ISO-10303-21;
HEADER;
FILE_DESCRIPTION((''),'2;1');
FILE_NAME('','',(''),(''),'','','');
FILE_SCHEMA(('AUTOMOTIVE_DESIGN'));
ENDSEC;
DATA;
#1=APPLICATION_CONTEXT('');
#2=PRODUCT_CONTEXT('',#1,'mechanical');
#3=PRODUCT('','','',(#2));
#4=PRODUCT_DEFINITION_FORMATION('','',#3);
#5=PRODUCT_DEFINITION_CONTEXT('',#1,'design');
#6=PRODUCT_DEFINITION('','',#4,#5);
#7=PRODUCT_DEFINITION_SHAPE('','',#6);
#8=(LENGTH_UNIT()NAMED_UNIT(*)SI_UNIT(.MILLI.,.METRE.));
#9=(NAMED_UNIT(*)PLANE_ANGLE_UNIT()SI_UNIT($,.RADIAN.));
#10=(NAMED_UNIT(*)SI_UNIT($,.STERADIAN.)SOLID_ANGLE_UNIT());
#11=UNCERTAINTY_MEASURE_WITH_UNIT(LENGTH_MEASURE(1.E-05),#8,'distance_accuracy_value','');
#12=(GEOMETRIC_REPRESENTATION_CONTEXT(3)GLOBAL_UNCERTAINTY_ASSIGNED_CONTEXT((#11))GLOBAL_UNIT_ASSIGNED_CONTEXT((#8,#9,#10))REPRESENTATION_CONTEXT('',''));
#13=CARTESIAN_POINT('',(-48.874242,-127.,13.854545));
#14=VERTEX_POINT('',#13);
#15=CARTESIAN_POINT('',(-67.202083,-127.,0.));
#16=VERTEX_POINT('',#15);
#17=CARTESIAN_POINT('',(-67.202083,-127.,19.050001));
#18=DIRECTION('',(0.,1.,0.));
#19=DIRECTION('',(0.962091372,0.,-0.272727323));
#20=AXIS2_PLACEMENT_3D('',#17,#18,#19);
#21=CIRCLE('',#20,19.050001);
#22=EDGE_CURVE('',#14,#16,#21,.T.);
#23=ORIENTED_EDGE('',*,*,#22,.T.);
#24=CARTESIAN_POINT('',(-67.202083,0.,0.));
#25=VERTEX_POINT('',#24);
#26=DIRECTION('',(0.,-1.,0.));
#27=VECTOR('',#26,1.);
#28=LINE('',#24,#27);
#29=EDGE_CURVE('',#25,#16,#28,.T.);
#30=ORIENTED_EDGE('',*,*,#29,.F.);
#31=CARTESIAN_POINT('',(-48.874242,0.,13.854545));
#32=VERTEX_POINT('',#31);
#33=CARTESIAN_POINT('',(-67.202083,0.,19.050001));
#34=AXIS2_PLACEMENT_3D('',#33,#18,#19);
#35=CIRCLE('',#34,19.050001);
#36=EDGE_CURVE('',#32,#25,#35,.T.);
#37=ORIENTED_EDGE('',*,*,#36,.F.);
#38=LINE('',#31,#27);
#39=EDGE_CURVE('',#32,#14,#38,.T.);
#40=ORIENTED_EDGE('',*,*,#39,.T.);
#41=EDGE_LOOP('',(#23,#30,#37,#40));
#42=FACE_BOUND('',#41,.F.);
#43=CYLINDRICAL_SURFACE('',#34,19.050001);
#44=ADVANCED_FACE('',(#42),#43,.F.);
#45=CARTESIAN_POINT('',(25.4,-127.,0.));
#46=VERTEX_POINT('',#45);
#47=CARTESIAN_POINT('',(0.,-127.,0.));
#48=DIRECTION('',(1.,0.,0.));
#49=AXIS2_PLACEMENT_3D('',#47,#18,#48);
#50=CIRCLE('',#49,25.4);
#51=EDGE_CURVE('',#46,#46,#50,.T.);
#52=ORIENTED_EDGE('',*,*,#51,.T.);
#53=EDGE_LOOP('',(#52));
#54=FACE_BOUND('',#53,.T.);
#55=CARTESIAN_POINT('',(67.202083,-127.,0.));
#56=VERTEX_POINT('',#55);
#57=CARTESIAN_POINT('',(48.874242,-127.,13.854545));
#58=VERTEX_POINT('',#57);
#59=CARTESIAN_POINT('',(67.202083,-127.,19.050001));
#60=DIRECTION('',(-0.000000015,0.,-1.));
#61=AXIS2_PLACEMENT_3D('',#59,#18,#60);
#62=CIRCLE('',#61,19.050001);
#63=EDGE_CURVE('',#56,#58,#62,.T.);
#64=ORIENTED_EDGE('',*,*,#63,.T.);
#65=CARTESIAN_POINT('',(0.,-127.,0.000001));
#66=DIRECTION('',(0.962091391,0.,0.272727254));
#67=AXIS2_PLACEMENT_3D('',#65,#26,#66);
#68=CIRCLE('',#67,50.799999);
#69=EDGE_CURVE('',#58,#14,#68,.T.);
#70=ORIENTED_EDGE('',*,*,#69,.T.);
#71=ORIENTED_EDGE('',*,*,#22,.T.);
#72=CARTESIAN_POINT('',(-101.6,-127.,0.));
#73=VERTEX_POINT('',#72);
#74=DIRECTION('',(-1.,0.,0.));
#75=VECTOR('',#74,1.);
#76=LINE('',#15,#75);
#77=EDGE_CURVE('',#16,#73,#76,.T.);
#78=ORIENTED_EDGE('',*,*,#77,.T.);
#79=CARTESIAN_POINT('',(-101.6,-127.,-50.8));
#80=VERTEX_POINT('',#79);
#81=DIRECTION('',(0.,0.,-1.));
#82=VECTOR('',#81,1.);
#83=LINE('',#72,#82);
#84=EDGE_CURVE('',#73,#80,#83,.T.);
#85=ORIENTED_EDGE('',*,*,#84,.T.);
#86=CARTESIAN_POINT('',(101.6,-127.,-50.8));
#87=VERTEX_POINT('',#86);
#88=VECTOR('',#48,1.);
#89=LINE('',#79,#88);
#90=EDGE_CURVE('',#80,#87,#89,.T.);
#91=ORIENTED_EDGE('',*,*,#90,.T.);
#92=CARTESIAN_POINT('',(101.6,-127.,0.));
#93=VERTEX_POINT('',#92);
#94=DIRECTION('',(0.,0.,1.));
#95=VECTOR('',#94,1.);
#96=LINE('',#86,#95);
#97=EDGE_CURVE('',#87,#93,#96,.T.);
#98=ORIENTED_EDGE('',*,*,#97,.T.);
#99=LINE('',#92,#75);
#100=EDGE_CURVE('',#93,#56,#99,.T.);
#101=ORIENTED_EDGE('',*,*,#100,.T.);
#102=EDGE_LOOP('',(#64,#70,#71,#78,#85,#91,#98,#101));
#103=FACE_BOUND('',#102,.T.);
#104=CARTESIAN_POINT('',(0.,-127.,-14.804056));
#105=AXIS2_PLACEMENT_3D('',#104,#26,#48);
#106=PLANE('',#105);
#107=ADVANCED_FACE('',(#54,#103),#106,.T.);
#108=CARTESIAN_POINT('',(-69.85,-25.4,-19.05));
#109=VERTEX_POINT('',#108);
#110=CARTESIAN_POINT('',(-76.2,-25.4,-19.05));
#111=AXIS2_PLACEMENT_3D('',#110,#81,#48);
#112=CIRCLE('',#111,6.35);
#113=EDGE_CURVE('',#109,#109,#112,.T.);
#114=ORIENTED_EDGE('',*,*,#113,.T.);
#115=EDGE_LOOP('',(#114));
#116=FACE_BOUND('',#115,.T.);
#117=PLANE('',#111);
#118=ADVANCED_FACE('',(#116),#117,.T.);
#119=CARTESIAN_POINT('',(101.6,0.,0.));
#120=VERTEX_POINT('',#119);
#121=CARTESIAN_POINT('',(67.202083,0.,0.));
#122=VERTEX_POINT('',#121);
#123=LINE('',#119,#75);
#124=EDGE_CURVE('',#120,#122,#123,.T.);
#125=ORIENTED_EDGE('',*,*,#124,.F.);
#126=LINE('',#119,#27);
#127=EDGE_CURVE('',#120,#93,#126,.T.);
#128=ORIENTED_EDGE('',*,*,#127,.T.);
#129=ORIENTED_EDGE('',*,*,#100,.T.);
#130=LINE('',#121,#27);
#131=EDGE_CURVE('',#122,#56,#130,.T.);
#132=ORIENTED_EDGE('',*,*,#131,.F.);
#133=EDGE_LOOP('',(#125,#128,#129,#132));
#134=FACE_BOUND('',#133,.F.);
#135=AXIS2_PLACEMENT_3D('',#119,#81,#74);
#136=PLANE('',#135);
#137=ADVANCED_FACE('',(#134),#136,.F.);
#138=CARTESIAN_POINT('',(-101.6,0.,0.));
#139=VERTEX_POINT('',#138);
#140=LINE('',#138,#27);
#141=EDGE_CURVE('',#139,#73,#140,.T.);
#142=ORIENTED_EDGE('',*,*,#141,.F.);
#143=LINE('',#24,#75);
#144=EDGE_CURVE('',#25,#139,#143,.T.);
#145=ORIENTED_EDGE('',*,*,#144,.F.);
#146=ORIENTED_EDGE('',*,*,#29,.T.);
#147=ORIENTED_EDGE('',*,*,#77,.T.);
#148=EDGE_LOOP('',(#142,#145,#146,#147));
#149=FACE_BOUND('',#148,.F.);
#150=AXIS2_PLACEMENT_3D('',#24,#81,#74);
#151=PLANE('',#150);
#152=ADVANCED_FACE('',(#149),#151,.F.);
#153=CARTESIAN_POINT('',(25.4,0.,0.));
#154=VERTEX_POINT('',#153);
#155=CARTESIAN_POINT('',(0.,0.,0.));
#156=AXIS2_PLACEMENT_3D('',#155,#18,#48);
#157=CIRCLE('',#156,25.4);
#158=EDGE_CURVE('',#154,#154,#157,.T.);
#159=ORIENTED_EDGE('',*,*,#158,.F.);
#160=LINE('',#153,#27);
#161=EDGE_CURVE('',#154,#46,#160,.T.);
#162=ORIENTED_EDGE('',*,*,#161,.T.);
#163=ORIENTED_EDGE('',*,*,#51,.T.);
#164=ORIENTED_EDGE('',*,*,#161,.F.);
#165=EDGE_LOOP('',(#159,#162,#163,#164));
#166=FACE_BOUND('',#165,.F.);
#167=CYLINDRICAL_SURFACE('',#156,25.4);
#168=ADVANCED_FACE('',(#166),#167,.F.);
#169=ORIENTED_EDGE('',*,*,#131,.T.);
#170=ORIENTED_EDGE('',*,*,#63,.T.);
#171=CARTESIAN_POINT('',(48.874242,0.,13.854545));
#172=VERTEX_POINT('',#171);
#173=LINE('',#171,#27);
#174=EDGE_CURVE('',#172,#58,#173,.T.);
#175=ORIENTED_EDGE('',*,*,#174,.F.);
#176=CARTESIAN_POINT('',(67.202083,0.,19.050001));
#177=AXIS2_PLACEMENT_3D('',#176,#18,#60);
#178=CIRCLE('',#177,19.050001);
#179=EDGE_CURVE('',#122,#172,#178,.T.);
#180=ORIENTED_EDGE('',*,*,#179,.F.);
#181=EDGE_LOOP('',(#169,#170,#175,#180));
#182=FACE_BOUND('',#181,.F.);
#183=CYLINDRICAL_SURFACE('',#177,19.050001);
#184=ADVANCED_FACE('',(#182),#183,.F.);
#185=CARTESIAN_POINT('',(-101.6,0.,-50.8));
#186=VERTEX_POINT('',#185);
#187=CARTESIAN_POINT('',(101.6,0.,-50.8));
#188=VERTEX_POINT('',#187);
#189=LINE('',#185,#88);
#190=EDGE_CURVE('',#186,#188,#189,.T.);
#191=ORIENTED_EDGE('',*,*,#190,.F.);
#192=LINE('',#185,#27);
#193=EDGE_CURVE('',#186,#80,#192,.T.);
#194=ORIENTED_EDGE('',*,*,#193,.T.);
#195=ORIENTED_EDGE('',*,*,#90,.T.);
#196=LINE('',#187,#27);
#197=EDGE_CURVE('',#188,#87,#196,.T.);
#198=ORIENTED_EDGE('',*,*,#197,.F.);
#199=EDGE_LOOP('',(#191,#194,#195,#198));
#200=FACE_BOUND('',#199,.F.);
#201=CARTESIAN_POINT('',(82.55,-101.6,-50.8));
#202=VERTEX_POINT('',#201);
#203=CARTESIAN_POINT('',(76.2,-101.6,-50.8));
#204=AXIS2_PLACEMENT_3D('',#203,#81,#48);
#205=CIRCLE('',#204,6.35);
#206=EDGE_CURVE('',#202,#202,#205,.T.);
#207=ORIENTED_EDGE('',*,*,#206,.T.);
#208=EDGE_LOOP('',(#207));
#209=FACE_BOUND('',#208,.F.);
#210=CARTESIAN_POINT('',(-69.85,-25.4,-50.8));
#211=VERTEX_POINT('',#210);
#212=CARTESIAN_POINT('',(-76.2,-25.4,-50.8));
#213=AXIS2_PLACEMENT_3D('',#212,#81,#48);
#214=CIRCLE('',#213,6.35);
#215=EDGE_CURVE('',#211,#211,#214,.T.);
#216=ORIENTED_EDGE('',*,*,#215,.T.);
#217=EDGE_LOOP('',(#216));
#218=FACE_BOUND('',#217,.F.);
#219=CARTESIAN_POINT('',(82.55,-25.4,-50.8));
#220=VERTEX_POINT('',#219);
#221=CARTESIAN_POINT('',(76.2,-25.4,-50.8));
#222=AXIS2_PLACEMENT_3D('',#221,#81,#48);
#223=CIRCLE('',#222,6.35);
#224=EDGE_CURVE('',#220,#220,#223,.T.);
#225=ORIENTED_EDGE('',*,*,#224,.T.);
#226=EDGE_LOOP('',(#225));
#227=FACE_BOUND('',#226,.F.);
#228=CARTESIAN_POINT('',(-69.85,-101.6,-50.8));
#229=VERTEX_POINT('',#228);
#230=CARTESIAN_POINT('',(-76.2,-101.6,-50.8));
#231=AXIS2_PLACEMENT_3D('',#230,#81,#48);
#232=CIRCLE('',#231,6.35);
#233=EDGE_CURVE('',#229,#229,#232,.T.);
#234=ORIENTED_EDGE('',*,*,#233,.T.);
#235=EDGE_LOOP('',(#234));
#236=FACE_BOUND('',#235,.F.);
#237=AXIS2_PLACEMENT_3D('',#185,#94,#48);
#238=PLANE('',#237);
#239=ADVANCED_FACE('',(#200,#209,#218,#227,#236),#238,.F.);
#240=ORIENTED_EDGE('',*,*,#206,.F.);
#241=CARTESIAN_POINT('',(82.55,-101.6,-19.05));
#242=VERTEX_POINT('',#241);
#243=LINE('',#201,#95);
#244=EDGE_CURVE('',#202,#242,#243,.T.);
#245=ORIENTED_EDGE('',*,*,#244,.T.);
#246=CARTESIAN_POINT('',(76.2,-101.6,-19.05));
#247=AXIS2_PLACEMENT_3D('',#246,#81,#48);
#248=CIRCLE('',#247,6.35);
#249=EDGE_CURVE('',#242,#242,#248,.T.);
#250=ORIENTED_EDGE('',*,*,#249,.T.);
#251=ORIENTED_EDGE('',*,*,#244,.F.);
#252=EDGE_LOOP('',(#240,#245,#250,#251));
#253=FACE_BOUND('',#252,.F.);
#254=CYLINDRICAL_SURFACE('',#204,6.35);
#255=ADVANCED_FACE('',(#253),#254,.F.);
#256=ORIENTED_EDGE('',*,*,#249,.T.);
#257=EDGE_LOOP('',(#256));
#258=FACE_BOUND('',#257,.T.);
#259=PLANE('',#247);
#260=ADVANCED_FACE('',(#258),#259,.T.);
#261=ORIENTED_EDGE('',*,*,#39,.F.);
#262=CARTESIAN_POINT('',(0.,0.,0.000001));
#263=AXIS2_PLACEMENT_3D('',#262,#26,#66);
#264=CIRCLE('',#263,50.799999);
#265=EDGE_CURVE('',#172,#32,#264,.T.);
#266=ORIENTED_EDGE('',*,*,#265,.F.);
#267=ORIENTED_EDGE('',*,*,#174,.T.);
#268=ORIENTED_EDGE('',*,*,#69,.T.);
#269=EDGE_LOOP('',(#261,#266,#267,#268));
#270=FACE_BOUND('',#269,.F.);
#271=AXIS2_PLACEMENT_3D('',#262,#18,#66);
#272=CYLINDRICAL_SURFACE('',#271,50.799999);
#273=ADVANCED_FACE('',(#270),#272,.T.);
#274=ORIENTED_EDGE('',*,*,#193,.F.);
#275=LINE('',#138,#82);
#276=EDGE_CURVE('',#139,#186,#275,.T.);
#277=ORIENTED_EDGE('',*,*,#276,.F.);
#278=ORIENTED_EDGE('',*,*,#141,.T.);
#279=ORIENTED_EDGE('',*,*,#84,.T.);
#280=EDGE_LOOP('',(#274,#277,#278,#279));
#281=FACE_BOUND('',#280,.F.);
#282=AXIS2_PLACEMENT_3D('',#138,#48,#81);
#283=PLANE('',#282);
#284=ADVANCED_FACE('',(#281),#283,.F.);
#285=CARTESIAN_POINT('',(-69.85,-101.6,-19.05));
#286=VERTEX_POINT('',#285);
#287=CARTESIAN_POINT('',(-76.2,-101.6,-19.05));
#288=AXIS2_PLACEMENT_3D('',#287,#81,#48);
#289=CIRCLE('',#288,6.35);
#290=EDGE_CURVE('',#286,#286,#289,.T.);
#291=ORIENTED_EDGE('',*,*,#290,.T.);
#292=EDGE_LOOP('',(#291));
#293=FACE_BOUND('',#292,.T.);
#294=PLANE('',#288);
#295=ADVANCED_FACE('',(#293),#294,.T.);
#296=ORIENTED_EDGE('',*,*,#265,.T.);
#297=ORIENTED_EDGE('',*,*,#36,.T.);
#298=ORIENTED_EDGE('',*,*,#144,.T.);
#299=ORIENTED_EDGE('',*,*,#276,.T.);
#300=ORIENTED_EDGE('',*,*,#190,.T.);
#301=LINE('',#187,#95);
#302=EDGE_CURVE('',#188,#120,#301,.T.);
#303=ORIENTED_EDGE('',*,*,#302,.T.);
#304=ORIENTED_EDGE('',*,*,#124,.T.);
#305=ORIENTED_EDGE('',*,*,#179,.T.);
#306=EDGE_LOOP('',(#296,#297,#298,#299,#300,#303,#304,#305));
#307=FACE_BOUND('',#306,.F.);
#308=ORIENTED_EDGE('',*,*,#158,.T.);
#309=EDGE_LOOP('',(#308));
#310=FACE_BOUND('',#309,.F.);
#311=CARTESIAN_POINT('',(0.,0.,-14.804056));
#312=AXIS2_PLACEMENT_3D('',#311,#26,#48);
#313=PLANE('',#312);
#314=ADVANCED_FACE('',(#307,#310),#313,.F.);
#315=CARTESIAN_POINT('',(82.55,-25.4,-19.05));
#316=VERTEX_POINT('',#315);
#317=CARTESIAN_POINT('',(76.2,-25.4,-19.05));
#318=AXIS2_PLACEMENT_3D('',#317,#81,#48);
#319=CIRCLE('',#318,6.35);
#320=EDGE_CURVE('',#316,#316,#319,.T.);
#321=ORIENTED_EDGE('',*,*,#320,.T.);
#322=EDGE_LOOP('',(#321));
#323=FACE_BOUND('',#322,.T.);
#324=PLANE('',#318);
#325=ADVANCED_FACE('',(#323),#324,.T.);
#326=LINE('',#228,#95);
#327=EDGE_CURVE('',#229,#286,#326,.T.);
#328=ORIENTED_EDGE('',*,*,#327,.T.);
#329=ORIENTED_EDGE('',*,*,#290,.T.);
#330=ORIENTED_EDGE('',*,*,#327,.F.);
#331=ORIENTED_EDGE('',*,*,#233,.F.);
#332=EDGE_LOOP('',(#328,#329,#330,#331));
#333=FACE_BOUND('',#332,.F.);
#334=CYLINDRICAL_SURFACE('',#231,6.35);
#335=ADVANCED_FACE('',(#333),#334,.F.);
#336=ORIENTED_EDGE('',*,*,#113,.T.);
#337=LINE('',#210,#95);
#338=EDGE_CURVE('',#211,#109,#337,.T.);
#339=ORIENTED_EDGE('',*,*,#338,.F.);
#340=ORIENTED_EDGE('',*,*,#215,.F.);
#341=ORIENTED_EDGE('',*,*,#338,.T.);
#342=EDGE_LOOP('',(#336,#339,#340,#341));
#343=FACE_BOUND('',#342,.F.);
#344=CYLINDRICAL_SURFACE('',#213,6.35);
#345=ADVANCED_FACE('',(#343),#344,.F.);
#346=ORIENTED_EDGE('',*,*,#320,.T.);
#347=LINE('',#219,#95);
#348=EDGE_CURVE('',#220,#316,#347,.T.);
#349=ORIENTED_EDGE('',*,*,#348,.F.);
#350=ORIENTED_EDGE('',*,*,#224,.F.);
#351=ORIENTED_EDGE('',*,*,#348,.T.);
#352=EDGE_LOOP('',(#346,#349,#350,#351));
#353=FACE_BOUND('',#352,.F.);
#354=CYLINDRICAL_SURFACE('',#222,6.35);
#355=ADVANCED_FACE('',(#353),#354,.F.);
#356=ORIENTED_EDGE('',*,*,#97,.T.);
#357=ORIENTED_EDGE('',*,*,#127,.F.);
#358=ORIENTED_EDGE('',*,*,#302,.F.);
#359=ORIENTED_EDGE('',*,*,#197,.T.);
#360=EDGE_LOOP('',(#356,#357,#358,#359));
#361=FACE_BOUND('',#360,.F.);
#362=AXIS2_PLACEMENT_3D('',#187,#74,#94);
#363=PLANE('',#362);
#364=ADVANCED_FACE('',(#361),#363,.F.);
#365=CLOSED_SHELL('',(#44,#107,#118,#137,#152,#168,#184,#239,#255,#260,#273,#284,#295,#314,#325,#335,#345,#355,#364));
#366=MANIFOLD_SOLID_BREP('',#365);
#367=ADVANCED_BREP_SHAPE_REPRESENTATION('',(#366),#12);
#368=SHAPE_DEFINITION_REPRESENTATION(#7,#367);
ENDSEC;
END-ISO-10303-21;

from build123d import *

# Parameters (mm, degrees)
F1_DEPTH = 127
F2_R     = 6.35
F3_DEPTH = 31.75


with BuildPart() as f1:
    # F0 (on Front) → F1 (new body)
    with BuildSketch(Plane.XZ):
        with BuildLine():
            ThreePointArc((67.202083, 0), (55.714501, 3.853357), (48.874242, 13.854545))
            ThreePointArc((48.874242, 13.854545), (0, 50.8), (-48.874242, 13.854545))
            ThreePointArc((-48.874242, 13.854545), (-55.714501, 3.853357), (-67.202083, 0))
            Line((-67.202083, 0), (-101.6, 0))
            Line((-101.6, 0), (-101.6, -50.8))
            Line((-101.6, -50.8), (101.6, -50.8))
            Line((101.6, -50.8), (101.6, 0))
            Line((101.6, 0), (67.202083, 0))
        make_face()
        with BuildLine():
            ThreePointArc((-25.4, 0), (0, 25.4), (25.4, 0))
            ThreePointArc((25.4, 0), (0, -25.4), (-25.4, 0))
        make_face(mode=Mode.SUBTRACT)
    extrude(amount=F1_DEPTH)

    # F2 (on face) → F3 (cut)
    with BuildSketch(Plane(origin=(0, 0, -50.8), x_dir=(1, 0, 0), z_dir=(0, 0, -1))):
        with Locations((-76.2, 101.6)):
            Circle(F2_R)
        with Locations((-76.2, 25.4)):
            Circle(F2_R)
        with Locations((76.2, 25.4)):
            Circle(F2_R)
        with Locations((76.2, 101.6)):
            Circle(F2_R)
    extrude(amount=-F3_DEPTH, mode=Mode.SUBTRACT)


solid = f1.part
